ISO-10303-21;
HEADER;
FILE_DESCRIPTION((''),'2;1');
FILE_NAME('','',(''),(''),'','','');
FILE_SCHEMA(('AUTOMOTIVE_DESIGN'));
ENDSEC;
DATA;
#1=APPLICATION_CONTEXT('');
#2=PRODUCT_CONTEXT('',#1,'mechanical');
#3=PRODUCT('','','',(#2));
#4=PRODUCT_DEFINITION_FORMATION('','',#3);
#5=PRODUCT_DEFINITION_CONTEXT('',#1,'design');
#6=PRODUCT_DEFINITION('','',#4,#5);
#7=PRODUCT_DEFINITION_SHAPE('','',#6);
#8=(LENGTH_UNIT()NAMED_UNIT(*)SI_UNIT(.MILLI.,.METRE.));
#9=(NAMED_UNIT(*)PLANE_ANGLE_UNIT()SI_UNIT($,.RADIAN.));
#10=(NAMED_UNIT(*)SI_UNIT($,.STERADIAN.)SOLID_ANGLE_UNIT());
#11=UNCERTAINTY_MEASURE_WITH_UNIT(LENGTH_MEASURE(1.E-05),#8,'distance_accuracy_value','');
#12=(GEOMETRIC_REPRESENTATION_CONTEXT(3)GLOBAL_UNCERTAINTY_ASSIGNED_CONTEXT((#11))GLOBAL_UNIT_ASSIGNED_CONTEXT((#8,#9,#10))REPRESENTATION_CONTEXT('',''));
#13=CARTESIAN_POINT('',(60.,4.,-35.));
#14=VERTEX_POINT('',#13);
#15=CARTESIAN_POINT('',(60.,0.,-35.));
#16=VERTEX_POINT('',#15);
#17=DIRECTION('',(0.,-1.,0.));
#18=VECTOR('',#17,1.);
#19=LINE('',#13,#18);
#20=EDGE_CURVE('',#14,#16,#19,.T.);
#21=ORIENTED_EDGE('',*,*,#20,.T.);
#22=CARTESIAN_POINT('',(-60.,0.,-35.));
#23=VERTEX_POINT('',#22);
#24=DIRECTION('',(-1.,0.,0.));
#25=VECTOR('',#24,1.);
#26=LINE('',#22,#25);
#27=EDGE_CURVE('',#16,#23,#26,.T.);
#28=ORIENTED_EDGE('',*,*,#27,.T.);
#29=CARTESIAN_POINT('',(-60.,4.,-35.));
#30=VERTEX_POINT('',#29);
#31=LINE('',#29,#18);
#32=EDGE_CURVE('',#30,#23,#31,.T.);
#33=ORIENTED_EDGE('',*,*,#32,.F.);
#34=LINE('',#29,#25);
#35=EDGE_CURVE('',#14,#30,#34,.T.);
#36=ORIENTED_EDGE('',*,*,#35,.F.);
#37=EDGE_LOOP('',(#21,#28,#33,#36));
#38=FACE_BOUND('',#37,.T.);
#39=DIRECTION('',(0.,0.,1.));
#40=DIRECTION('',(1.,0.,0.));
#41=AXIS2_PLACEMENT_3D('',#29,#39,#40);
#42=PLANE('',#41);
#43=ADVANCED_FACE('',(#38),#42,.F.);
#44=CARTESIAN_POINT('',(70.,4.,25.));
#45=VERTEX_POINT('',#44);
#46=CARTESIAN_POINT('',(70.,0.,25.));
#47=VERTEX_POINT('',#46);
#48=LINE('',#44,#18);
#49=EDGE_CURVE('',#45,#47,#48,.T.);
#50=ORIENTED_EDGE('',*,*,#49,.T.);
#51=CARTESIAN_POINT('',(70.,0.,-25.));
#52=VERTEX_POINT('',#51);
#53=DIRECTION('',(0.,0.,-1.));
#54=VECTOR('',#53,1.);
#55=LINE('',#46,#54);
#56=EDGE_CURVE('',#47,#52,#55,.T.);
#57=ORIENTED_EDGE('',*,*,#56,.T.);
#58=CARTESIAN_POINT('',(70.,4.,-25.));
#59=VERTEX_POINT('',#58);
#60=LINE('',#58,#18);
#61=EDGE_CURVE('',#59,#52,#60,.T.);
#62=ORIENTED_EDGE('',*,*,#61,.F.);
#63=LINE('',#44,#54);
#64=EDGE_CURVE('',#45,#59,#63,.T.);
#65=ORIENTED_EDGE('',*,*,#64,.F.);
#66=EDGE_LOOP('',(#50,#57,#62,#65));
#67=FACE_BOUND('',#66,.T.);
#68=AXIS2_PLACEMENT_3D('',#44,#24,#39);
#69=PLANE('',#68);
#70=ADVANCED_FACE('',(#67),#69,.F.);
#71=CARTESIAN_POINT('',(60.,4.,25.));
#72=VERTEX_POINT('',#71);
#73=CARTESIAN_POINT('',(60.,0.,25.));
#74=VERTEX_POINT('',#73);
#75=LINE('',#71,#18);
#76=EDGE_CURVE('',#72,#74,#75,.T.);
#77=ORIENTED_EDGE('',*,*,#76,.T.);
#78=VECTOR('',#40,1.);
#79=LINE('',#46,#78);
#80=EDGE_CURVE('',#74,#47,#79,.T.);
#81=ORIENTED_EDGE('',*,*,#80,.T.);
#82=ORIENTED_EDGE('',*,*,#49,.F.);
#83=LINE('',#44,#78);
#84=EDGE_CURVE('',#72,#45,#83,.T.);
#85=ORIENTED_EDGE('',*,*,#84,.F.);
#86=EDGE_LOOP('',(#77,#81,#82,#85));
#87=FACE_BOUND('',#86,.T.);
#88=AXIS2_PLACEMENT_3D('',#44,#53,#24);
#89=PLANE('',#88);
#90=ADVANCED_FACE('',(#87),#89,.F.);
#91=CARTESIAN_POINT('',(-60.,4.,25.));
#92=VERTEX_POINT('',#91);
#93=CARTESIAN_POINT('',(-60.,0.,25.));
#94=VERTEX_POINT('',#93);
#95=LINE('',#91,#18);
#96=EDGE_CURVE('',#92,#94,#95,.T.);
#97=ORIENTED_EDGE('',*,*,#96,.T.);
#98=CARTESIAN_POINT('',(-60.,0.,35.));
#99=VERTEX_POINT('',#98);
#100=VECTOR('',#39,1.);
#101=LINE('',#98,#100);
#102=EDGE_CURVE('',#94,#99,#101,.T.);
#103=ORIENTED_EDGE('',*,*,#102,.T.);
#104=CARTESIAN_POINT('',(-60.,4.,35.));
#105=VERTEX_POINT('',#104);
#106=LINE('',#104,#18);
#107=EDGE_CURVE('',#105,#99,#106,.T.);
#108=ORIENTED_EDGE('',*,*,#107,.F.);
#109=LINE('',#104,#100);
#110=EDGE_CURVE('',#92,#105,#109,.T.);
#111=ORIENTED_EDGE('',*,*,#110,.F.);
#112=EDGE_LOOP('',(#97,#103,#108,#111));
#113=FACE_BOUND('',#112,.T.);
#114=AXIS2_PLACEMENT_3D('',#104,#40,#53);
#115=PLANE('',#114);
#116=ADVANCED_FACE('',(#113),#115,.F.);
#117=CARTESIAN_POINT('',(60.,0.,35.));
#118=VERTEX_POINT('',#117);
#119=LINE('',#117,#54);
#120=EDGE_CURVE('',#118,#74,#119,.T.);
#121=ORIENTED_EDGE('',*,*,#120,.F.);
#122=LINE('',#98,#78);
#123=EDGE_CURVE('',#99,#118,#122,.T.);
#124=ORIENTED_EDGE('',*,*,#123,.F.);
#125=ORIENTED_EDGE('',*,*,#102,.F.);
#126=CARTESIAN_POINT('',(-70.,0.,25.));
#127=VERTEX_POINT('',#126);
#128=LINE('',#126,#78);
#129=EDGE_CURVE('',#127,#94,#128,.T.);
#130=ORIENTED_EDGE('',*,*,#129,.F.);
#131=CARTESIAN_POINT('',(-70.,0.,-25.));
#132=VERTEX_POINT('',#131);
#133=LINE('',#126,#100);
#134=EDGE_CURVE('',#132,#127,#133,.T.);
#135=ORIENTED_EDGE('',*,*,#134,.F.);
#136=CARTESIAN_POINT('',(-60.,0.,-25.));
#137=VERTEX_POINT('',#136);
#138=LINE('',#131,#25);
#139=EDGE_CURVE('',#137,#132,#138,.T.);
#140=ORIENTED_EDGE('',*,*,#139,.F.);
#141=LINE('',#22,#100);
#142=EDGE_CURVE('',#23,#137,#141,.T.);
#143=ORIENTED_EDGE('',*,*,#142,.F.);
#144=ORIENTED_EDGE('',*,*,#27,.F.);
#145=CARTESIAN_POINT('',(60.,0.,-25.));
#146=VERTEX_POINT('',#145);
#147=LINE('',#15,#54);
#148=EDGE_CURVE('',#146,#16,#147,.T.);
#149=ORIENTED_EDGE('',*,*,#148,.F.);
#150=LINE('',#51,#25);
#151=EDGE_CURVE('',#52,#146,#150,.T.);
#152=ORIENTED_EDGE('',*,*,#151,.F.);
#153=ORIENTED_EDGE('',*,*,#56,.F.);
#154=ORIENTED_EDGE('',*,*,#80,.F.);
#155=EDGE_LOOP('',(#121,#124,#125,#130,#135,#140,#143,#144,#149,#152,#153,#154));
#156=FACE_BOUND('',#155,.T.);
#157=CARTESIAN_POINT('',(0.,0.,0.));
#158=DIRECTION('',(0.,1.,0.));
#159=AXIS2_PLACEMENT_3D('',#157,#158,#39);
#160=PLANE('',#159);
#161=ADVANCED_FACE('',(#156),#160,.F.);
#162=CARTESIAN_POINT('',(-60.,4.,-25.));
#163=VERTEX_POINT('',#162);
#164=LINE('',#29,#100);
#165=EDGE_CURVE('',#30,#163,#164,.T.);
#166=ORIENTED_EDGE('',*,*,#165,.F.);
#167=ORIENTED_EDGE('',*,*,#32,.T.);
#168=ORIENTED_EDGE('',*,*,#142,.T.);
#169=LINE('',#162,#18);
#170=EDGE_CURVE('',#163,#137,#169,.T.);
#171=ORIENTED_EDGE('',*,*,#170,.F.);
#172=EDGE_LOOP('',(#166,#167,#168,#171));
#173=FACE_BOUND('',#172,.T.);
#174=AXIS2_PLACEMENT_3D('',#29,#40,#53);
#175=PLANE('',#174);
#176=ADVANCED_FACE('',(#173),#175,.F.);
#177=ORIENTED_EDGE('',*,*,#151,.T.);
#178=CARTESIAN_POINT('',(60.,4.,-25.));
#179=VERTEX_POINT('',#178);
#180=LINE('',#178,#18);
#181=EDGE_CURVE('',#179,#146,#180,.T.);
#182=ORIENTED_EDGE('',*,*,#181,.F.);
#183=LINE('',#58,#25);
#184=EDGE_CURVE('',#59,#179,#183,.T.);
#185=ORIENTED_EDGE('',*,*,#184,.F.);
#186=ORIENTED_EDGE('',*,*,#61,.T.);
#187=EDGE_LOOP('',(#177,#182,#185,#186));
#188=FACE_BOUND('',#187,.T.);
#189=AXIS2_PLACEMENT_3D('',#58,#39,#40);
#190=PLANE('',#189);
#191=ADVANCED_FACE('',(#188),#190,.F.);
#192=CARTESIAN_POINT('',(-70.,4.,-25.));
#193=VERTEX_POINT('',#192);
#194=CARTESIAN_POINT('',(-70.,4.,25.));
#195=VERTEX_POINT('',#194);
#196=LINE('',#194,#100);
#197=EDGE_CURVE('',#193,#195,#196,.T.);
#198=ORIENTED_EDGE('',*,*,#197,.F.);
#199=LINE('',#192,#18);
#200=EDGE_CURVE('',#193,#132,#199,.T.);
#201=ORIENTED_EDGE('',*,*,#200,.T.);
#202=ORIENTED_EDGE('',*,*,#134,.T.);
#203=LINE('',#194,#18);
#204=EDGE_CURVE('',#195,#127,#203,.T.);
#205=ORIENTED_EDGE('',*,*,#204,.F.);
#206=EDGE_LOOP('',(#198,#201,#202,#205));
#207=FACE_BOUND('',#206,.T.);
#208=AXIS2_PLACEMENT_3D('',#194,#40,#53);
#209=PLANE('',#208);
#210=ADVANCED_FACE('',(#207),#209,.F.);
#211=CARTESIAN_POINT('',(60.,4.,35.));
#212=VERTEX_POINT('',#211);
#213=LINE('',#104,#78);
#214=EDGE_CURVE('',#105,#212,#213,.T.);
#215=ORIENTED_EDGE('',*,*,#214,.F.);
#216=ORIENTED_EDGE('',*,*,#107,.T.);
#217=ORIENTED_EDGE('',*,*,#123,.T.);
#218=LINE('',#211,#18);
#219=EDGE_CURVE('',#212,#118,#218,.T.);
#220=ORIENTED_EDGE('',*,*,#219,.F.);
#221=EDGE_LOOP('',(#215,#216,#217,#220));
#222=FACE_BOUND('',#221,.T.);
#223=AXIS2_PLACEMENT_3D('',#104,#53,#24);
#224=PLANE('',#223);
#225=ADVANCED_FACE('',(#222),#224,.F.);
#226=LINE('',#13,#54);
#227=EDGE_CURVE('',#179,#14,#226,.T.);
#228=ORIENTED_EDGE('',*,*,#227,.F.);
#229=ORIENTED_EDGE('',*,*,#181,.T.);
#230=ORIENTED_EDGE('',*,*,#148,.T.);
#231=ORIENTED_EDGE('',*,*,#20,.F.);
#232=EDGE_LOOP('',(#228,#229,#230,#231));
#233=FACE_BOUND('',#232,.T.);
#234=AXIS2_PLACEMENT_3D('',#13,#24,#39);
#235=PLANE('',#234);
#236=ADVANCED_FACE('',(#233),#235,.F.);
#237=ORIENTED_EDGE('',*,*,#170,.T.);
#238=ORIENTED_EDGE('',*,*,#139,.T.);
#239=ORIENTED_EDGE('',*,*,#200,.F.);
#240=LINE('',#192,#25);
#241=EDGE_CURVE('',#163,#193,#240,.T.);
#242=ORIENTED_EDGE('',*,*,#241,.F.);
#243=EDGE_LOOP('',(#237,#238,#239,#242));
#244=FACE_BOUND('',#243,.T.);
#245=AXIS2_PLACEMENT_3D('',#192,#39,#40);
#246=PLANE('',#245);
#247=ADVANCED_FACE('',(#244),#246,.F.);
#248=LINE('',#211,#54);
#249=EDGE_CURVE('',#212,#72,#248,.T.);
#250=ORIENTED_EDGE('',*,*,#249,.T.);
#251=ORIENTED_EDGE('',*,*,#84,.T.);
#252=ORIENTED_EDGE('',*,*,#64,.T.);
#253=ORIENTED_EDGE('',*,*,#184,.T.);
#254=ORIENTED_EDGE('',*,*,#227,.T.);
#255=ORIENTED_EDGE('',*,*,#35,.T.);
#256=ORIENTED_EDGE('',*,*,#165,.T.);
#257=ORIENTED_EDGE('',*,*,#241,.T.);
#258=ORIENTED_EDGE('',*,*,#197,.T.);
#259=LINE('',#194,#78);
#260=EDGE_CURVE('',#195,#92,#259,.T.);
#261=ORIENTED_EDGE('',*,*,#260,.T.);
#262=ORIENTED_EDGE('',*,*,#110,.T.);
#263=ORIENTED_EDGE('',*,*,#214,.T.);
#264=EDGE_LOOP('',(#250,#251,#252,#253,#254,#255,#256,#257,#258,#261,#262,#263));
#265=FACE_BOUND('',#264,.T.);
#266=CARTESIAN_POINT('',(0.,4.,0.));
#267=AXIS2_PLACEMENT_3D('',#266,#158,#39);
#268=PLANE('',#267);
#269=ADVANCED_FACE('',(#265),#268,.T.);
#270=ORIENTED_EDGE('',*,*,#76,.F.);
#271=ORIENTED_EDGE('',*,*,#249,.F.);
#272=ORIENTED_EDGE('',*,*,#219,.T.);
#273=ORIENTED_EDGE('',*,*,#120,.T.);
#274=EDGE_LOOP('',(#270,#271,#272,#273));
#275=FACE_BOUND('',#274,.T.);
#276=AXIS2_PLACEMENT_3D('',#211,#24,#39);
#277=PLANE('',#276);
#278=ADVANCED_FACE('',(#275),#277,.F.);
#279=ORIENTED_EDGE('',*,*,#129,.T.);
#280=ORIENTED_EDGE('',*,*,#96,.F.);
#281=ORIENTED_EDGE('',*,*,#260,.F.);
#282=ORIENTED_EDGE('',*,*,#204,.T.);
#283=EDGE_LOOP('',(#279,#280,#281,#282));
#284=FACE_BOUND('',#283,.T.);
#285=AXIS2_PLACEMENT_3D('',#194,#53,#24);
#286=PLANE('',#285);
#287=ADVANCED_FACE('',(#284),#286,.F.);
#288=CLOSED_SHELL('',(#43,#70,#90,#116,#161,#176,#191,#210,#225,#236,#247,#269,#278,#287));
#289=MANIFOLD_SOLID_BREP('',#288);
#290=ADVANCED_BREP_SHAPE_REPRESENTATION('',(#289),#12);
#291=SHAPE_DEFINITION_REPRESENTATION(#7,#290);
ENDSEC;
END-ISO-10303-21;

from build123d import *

# Parameters (mm, degrees)
DODANIE_WYCI_GNI_CIE1_DEPTH = 4


with BuildPart() as part:
    # Szkic1 → Dodanie-wyciągnięcie1 (new body)
    with BuildSketch(Plane(origin=(0, 0, 0), x_dir=(1, 0, 0), z_dir=(0, 1, 0))):
        Polygon((-60, -35), (60, -35), (60, -25), (70, -25), (70, 25), (60, 25), (60, 35), (-60, 35), (-60, 25), (-70, 25), (-70, -25), (-60, -25), align=None)
    extrude(amount=DODANIE_WYCI_GNI_CIE1_DEPTH)


solid = part.part
